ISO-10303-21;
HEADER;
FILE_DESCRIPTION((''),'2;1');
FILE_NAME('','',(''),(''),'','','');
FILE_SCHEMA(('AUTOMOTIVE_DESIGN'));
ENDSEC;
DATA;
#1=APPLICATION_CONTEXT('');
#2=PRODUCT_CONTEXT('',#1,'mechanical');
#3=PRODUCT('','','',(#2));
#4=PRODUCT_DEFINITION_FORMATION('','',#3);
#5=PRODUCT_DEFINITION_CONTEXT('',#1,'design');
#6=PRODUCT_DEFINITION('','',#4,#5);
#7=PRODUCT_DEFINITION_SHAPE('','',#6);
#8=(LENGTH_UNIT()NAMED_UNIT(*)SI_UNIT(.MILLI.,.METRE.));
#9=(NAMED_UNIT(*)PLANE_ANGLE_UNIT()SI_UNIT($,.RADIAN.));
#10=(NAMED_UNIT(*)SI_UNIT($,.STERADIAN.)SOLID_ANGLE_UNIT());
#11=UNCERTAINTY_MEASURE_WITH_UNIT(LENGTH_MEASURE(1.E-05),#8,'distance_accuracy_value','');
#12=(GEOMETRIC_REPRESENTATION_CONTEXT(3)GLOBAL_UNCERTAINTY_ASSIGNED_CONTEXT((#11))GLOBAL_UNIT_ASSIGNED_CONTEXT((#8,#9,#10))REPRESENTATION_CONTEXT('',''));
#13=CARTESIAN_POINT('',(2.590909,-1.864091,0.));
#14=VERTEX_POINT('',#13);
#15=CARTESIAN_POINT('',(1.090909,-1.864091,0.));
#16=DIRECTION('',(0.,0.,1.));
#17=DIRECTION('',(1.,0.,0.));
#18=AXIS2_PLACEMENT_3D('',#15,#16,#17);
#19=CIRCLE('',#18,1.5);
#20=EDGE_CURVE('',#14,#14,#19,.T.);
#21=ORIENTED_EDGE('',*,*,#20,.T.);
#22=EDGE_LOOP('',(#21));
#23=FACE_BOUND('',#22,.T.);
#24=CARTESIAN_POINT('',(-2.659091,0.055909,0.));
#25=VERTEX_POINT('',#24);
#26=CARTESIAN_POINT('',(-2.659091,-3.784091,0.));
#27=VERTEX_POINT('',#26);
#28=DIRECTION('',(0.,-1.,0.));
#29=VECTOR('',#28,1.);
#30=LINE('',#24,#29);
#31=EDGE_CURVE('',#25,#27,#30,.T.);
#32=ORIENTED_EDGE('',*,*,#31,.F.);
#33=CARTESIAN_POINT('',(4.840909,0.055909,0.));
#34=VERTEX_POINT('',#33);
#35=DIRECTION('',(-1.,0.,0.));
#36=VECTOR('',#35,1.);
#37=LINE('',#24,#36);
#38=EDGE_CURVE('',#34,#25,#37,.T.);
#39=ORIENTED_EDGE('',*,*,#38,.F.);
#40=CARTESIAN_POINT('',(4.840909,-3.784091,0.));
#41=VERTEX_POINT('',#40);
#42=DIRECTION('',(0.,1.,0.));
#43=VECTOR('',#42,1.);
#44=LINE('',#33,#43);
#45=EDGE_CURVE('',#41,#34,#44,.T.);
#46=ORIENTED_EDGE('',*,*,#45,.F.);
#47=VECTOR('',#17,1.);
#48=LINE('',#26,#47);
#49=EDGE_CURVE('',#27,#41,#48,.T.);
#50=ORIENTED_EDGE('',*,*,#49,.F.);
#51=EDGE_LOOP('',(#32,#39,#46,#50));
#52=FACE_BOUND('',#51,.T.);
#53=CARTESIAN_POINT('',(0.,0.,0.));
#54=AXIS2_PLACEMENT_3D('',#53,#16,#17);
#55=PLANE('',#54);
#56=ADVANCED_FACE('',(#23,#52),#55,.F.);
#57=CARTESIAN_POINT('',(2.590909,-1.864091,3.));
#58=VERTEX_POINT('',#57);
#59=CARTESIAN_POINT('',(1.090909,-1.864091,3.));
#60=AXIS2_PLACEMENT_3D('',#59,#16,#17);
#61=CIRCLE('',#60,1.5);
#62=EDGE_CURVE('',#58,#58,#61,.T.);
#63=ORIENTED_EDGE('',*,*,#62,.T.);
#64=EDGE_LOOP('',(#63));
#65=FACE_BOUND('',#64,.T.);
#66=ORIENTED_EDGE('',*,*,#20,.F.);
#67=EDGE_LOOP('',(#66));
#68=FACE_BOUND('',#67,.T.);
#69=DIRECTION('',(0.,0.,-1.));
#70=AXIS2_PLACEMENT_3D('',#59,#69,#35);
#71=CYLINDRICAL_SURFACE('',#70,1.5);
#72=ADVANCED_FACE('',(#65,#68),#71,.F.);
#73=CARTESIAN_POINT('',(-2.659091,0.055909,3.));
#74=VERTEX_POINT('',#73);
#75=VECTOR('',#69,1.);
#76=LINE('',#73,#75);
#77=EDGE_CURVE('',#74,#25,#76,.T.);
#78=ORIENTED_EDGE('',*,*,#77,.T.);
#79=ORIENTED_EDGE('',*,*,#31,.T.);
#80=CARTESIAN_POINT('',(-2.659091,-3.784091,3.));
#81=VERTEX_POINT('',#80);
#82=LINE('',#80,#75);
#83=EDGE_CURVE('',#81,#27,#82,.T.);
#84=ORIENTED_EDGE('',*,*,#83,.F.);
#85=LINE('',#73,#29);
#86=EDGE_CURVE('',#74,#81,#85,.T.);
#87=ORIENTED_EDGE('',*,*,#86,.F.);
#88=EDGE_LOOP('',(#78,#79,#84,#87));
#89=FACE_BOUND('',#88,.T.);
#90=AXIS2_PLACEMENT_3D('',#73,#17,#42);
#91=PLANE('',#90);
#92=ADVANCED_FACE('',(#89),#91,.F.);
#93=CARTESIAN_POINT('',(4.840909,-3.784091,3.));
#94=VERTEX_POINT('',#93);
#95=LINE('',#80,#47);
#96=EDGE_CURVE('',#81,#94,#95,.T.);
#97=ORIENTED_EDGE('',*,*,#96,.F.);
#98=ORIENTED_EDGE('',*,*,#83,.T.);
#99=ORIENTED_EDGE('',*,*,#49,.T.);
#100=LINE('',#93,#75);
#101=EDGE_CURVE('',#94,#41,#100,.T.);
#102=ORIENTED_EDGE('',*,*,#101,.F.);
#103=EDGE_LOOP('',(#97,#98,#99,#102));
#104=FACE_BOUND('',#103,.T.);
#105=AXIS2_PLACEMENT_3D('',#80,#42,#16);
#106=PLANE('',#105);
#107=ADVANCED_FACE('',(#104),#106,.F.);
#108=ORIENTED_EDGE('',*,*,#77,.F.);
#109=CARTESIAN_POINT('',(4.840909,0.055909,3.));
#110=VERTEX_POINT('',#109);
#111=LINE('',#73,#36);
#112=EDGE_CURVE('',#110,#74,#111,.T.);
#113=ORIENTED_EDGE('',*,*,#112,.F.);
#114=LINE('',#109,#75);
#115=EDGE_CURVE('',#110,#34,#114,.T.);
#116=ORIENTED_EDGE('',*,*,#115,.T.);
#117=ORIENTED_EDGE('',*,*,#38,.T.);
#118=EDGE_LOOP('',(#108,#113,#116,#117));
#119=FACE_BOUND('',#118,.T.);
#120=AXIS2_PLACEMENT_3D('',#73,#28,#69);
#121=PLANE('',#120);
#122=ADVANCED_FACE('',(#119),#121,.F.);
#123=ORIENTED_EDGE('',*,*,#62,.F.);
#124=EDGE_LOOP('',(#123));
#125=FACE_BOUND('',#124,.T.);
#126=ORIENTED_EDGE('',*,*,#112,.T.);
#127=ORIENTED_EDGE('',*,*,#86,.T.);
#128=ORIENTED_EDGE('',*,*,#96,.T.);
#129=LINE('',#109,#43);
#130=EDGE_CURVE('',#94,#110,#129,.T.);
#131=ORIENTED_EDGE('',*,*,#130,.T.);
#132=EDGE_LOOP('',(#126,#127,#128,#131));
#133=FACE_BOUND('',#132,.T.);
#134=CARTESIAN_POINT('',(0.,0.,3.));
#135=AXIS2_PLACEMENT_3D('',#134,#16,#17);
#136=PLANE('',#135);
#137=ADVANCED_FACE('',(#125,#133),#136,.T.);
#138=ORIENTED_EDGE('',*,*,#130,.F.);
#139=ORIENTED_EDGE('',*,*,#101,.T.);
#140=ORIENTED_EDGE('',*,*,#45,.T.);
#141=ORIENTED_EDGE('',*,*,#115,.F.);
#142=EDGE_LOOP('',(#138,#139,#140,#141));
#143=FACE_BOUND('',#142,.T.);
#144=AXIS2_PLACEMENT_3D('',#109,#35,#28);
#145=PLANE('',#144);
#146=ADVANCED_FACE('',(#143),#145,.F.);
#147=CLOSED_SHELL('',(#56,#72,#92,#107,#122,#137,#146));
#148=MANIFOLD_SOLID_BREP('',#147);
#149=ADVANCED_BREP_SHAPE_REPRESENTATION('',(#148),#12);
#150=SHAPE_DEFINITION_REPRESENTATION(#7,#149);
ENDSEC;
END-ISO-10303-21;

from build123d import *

# Parameters (mm, degrees)
SKETCH_1_W      = 7.5
SKETCH_1_H      = 3.84
SKETCH_1_R      = 1.5
EXTRUDE_1_DEPTH = 3


with BuildPart() as part:
    # 草图1 → 凸台-拉伸1 (new body)
    with BuildSketch(Plane.XY):
        with Locations((1.090909091, -1.864090909)):
            Rectangle(SKETCH_1_W, SKETCH_1_H)
        with Locations((1.090909091, -1.864090909)):
            Circle(SKETCH_1_R, mode=Mode.SUBTRACT)
    extrude(amount=EXTRUDE_1_DEPTH)


solid = part.part
